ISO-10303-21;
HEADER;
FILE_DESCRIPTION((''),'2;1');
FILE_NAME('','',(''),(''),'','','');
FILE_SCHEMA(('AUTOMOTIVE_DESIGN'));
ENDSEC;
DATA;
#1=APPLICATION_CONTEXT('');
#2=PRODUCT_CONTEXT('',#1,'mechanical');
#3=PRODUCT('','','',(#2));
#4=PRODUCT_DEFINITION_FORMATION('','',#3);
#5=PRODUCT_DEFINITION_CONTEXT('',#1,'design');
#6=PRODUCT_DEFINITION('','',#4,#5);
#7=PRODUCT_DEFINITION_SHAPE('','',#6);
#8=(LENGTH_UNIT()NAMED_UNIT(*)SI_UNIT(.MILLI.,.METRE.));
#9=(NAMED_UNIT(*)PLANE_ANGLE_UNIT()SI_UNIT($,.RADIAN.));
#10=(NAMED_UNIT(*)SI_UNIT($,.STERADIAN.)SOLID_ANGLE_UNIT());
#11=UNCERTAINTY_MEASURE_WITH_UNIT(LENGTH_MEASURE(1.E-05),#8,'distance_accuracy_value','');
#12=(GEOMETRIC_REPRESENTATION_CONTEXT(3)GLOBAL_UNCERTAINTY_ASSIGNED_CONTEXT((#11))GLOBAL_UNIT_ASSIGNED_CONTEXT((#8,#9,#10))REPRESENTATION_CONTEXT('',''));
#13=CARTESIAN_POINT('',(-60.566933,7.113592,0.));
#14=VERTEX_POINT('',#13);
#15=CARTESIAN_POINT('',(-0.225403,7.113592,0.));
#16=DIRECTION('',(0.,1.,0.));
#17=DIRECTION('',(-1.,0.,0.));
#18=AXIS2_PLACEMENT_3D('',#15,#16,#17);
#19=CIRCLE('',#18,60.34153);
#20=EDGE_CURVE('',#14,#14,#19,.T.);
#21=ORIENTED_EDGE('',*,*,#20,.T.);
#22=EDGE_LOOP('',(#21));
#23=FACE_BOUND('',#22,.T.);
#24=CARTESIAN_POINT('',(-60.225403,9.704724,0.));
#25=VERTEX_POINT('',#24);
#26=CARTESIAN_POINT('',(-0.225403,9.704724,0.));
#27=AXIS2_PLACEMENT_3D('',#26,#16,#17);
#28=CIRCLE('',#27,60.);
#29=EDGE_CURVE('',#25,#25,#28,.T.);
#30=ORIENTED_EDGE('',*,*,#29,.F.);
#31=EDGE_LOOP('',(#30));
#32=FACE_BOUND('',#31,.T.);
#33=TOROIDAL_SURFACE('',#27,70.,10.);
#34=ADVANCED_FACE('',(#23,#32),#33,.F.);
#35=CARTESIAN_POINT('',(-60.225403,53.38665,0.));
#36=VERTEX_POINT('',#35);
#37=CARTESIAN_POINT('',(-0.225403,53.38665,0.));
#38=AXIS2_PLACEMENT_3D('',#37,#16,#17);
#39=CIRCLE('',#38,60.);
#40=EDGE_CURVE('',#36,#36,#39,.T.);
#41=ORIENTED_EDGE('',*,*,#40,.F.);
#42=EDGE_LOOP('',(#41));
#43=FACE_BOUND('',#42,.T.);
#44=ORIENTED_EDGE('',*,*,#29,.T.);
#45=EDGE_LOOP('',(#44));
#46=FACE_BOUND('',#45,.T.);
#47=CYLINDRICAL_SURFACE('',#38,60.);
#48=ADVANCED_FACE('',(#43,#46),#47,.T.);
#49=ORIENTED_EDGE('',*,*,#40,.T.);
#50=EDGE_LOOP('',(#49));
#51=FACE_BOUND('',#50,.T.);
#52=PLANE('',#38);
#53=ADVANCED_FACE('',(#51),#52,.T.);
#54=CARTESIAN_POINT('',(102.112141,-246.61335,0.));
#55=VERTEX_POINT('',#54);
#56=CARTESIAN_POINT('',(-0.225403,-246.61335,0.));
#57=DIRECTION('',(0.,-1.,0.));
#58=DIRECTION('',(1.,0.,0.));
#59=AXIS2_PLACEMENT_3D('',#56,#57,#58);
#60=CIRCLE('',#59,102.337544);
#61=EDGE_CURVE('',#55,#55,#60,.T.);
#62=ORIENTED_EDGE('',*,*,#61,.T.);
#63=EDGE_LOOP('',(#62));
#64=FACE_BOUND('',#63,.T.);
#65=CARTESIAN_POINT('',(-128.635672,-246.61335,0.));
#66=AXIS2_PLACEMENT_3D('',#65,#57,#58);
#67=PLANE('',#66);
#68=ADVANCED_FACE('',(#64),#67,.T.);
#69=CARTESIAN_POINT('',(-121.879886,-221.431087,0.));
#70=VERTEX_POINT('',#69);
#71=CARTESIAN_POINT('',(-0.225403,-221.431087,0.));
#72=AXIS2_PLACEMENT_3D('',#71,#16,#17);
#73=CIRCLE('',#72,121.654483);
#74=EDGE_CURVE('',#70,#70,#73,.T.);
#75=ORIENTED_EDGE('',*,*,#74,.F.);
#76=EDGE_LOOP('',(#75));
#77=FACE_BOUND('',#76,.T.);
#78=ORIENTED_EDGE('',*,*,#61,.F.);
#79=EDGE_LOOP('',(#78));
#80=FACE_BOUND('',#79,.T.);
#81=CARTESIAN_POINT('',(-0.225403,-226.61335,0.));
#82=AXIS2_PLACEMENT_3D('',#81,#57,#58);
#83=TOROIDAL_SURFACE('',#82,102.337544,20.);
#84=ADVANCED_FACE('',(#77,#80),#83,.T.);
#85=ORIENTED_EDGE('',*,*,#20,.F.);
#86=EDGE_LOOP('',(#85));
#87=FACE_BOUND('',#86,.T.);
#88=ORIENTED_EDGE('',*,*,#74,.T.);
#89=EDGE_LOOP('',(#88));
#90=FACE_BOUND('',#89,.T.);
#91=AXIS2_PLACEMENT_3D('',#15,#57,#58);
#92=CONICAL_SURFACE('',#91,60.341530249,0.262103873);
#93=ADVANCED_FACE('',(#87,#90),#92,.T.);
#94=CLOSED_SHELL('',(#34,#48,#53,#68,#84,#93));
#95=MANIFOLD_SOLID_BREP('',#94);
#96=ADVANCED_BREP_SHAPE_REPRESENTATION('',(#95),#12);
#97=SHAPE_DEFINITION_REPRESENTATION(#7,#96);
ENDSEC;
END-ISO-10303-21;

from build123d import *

# Parameters (mm, degrees)
FILLET3_R = 20


with BuildPart() as part:
    # Sketch2 → Revolve3 (revolve)
    with BuildSketch(Plane.XY):
        with BuildLine():
            Line((-0.225402923, 53.386649963), (-60.225402923, 53.386649963))
            Line((-60.225402923, 53.386649963), (-60.225402923, 9.704723781))
            ThreePointArc((-60.225402923, 9.704723781), (-60.311153141, 8.397952475), (-60.566933173, 7.113592353))
            Line((-60.566933173, 7.113592353), (-128.635671951, -246.613350037))
            Line((-128.635671951, -246.613350037), (-0.225402923, -246.613350037))
            Line((-0.225402923, -246.613350037), (-0.225402923, 53.386649963))
        make_face()
    revolve(axis=Axis((-0.225402923, 53.386649963, 0), (0, -1, 0)))

    # Fillet3
    fillet3_edges = [part.edges().sort_by_distance(p)[0] for p in [
        (128.184866104, -246.613350037, 0),
    ]]
    fillet(fillet3_edges, radius=FILLET3_R)


solid = part.part
